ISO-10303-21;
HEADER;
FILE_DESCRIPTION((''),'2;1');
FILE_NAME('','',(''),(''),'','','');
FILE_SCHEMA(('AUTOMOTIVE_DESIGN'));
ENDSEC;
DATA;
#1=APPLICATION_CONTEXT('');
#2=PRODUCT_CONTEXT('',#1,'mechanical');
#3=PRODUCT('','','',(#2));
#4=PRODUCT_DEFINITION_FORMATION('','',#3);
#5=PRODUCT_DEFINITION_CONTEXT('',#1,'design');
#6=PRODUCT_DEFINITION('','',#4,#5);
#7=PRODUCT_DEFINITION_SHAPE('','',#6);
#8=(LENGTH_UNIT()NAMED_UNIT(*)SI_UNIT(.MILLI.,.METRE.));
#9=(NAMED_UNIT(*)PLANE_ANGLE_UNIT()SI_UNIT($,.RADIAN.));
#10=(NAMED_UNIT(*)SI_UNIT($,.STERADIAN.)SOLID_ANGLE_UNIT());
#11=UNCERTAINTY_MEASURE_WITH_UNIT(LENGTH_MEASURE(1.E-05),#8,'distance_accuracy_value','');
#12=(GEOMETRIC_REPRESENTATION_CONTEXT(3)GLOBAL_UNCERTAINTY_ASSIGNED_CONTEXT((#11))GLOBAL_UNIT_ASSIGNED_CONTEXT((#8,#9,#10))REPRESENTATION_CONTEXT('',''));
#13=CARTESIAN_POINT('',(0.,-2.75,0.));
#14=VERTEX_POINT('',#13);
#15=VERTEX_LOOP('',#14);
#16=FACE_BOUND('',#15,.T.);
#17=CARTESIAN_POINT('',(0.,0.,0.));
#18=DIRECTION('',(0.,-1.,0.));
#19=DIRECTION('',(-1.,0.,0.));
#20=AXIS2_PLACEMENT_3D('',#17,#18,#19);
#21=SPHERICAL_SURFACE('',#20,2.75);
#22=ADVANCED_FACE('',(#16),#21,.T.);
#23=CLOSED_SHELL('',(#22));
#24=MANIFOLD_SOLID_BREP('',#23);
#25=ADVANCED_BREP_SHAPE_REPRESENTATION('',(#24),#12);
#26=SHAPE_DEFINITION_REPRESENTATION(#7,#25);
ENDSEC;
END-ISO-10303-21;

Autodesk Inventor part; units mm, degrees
ref_plane "YZ Plane" through (0, 0, 0) normal (1, 0, 0) x (0, 1, 0)
ref_plane "XZ Plane" through (0, 0, 0) normal (0, 1, 0) x (-1, 0, 0)
ref_plane "XY Plane" through (0, 0, 0) normal (0, 0, 1) x (1, 0, 0)
sketch "Sketch1" plane through (0, 0, 0) normal (0, 0, 1) x (1, 0, 0)
  circle A0 centre (0, 0) radius 2.75
  line L0 (0, 2.75) -> (0, -2.75)
  dimension "d0" = 5.5
revolve "Revolution1" add sketch "Sketch1" angle 360 about axis through (0, 2.75, 0) along (0, -1, 0) picked at (-1.2831, 0.4301) contours L0 A0
properties part number "5p5mm Ball Bearing" material "Stainless Steel"
